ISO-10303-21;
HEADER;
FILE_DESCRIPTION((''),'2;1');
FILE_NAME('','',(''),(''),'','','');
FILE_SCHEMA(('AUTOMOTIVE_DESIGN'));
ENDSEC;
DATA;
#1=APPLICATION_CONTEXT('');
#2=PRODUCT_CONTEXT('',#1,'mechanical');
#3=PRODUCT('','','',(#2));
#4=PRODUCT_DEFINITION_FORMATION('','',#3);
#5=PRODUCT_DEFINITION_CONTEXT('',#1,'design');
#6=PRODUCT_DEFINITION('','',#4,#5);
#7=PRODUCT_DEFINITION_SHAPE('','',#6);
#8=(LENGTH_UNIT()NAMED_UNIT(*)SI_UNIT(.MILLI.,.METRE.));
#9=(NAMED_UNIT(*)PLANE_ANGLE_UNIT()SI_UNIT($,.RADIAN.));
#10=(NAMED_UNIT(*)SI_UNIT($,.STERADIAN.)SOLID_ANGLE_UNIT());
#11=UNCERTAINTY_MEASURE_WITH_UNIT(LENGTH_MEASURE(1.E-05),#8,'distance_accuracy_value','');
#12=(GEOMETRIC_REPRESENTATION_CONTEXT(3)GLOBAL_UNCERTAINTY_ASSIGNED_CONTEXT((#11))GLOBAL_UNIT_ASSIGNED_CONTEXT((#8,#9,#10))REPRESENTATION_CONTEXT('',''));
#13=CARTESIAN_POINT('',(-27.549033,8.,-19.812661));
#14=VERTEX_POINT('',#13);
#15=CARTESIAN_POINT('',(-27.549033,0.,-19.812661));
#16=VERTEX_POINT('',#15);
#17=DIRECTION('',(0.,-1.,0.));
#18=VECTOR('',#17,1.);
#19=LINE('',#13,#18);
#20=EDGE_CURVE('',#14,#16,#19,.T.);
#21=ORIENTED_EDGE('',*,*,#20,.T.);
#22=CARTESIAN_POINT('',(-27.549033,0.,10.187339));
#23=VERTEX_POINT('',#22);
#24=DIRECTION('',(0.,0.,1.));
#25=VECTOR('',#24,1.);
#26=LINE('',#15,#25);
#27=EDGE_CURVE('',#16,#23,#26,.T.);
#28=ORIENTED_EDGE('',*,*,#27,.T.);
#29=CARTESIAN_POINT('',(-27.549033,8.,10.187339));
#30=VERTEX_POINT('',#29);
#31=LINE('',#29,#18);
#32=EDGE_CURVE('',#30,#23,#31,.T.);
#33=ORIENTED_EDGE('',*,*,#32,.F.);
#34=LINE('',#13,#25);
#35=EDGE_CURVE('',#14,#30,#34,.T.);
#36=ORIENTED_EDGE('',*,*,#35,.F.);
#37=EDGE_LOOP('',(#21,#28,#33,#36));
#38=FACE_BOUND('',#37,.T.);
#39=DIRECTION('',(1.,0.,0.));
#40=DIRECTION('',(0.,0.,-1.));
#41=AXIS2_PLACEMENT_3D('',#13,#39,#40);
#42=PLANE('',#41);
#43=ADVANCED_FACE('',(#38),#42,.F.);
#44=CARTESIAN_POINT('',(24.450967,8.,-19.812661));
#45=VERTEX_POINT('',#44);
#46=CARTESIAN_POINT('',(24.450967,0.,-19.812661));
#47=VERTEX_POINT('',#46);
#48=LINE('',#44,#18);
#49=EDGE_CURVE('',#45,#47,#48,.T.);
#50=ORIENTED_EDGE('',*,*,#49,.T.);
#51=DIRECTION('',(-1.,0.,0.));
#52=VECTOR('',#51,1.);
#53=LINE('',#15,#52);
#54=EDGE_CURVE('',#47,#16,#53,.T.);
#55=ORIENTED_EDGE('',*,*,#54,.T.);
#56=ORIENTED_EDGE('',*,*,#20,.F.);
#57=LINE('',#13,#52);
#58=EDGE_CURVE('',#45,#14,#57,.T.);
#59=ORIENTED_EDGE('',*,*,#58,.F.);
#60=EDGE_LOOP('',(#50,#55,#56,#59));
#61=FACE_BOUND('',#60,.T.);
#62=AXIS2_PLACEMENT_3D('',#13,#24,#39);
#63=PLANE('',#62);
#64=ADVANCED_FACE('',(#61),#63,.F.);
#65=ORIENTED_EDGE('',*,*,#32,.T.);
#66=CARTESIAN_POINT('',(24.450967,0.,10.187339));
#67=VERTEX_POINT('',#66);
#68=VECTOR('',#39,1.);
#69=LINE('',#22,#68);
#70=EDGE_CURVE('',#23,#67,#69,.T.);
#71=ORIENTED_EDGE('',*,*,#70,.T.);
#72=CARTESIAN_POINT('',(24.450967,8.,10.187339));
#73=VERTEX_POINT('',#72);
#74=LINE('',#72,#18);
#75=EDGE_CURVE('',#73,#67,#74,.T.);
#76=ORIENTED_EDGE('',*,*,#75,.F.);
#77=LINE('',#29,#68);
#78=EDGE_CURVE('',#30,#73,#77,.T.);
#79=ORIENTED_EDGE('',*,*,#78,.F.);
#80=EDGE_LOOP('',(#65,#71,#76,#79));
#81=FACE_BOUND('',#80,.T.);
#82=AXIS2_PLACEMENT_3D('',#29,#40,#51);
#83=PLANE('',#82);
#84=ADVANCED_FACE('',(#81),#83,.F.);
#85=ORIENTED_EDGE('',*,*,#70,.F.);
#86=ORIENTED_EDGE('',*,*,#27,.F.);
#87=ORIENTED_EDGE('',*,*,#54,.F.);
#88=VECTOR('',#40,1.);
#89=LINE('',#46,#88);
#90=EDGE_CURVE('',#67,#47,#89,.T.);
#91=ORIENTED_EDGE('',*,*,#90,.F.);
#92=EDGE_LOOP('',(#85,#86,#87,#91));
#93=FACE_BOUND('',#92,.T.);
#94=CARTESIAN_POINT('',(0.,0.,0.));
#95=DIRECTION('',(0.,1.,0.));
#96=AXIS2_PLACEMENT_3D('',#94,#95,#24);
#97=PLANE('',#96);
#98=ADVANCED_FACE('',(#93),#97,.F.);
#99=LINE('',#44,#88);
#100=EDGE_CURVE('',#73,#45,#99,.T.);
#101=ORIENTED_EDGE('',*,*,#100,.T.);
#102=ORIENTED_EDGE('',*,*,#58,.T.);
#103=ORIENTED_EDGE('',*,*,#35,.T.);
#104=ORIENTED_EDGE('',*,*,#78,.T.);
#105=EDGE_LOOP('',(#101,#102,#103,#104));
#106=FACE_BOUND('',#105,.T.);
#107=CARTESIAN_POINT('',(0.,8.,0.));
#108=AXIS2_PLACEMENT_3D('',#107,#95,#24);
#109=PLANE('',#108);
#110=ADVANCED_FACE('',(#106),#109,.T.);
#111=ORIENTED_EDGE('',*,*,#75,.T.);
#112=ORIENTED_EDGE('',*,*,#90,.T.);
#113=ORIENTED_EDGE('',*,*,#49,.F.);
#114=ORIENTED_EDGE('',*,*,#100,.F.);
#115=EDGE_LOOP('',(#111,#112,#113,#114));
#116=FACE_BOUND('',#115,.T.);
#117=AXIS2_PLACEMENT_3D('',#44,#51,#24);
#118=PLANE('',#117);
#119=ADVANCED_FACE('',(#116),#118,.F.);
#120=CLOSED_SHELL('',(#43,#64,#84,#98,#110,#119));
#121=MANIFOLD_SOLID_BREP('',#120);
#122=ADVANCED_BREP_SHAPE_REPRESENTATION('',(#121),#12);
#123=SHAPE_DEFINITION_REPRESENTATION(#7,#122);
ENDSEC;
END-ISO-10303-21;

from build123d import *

# Parameters (mm, degrees)
SKETCH1_W           = 52
SKETCH1_H           = 30
BOSS_EXTRUDE1_DEPTH = 8


with BuildPart() as part:
    # Sketch1 → Boss-Extrude1 (new body)
    with BuildSketch(Plane(origin=(0, 0, 0), x_dir=(1, 0, 0), z_dir=(0, 1, 0))):
        with Locations((-1.549033097, 4.812660789)):
            Rectangle(SKETCH1_W, SKETCH1_H)
    extrude(amount=BOSS_EXTRUDE1_DEPTH)


solid = part.part
